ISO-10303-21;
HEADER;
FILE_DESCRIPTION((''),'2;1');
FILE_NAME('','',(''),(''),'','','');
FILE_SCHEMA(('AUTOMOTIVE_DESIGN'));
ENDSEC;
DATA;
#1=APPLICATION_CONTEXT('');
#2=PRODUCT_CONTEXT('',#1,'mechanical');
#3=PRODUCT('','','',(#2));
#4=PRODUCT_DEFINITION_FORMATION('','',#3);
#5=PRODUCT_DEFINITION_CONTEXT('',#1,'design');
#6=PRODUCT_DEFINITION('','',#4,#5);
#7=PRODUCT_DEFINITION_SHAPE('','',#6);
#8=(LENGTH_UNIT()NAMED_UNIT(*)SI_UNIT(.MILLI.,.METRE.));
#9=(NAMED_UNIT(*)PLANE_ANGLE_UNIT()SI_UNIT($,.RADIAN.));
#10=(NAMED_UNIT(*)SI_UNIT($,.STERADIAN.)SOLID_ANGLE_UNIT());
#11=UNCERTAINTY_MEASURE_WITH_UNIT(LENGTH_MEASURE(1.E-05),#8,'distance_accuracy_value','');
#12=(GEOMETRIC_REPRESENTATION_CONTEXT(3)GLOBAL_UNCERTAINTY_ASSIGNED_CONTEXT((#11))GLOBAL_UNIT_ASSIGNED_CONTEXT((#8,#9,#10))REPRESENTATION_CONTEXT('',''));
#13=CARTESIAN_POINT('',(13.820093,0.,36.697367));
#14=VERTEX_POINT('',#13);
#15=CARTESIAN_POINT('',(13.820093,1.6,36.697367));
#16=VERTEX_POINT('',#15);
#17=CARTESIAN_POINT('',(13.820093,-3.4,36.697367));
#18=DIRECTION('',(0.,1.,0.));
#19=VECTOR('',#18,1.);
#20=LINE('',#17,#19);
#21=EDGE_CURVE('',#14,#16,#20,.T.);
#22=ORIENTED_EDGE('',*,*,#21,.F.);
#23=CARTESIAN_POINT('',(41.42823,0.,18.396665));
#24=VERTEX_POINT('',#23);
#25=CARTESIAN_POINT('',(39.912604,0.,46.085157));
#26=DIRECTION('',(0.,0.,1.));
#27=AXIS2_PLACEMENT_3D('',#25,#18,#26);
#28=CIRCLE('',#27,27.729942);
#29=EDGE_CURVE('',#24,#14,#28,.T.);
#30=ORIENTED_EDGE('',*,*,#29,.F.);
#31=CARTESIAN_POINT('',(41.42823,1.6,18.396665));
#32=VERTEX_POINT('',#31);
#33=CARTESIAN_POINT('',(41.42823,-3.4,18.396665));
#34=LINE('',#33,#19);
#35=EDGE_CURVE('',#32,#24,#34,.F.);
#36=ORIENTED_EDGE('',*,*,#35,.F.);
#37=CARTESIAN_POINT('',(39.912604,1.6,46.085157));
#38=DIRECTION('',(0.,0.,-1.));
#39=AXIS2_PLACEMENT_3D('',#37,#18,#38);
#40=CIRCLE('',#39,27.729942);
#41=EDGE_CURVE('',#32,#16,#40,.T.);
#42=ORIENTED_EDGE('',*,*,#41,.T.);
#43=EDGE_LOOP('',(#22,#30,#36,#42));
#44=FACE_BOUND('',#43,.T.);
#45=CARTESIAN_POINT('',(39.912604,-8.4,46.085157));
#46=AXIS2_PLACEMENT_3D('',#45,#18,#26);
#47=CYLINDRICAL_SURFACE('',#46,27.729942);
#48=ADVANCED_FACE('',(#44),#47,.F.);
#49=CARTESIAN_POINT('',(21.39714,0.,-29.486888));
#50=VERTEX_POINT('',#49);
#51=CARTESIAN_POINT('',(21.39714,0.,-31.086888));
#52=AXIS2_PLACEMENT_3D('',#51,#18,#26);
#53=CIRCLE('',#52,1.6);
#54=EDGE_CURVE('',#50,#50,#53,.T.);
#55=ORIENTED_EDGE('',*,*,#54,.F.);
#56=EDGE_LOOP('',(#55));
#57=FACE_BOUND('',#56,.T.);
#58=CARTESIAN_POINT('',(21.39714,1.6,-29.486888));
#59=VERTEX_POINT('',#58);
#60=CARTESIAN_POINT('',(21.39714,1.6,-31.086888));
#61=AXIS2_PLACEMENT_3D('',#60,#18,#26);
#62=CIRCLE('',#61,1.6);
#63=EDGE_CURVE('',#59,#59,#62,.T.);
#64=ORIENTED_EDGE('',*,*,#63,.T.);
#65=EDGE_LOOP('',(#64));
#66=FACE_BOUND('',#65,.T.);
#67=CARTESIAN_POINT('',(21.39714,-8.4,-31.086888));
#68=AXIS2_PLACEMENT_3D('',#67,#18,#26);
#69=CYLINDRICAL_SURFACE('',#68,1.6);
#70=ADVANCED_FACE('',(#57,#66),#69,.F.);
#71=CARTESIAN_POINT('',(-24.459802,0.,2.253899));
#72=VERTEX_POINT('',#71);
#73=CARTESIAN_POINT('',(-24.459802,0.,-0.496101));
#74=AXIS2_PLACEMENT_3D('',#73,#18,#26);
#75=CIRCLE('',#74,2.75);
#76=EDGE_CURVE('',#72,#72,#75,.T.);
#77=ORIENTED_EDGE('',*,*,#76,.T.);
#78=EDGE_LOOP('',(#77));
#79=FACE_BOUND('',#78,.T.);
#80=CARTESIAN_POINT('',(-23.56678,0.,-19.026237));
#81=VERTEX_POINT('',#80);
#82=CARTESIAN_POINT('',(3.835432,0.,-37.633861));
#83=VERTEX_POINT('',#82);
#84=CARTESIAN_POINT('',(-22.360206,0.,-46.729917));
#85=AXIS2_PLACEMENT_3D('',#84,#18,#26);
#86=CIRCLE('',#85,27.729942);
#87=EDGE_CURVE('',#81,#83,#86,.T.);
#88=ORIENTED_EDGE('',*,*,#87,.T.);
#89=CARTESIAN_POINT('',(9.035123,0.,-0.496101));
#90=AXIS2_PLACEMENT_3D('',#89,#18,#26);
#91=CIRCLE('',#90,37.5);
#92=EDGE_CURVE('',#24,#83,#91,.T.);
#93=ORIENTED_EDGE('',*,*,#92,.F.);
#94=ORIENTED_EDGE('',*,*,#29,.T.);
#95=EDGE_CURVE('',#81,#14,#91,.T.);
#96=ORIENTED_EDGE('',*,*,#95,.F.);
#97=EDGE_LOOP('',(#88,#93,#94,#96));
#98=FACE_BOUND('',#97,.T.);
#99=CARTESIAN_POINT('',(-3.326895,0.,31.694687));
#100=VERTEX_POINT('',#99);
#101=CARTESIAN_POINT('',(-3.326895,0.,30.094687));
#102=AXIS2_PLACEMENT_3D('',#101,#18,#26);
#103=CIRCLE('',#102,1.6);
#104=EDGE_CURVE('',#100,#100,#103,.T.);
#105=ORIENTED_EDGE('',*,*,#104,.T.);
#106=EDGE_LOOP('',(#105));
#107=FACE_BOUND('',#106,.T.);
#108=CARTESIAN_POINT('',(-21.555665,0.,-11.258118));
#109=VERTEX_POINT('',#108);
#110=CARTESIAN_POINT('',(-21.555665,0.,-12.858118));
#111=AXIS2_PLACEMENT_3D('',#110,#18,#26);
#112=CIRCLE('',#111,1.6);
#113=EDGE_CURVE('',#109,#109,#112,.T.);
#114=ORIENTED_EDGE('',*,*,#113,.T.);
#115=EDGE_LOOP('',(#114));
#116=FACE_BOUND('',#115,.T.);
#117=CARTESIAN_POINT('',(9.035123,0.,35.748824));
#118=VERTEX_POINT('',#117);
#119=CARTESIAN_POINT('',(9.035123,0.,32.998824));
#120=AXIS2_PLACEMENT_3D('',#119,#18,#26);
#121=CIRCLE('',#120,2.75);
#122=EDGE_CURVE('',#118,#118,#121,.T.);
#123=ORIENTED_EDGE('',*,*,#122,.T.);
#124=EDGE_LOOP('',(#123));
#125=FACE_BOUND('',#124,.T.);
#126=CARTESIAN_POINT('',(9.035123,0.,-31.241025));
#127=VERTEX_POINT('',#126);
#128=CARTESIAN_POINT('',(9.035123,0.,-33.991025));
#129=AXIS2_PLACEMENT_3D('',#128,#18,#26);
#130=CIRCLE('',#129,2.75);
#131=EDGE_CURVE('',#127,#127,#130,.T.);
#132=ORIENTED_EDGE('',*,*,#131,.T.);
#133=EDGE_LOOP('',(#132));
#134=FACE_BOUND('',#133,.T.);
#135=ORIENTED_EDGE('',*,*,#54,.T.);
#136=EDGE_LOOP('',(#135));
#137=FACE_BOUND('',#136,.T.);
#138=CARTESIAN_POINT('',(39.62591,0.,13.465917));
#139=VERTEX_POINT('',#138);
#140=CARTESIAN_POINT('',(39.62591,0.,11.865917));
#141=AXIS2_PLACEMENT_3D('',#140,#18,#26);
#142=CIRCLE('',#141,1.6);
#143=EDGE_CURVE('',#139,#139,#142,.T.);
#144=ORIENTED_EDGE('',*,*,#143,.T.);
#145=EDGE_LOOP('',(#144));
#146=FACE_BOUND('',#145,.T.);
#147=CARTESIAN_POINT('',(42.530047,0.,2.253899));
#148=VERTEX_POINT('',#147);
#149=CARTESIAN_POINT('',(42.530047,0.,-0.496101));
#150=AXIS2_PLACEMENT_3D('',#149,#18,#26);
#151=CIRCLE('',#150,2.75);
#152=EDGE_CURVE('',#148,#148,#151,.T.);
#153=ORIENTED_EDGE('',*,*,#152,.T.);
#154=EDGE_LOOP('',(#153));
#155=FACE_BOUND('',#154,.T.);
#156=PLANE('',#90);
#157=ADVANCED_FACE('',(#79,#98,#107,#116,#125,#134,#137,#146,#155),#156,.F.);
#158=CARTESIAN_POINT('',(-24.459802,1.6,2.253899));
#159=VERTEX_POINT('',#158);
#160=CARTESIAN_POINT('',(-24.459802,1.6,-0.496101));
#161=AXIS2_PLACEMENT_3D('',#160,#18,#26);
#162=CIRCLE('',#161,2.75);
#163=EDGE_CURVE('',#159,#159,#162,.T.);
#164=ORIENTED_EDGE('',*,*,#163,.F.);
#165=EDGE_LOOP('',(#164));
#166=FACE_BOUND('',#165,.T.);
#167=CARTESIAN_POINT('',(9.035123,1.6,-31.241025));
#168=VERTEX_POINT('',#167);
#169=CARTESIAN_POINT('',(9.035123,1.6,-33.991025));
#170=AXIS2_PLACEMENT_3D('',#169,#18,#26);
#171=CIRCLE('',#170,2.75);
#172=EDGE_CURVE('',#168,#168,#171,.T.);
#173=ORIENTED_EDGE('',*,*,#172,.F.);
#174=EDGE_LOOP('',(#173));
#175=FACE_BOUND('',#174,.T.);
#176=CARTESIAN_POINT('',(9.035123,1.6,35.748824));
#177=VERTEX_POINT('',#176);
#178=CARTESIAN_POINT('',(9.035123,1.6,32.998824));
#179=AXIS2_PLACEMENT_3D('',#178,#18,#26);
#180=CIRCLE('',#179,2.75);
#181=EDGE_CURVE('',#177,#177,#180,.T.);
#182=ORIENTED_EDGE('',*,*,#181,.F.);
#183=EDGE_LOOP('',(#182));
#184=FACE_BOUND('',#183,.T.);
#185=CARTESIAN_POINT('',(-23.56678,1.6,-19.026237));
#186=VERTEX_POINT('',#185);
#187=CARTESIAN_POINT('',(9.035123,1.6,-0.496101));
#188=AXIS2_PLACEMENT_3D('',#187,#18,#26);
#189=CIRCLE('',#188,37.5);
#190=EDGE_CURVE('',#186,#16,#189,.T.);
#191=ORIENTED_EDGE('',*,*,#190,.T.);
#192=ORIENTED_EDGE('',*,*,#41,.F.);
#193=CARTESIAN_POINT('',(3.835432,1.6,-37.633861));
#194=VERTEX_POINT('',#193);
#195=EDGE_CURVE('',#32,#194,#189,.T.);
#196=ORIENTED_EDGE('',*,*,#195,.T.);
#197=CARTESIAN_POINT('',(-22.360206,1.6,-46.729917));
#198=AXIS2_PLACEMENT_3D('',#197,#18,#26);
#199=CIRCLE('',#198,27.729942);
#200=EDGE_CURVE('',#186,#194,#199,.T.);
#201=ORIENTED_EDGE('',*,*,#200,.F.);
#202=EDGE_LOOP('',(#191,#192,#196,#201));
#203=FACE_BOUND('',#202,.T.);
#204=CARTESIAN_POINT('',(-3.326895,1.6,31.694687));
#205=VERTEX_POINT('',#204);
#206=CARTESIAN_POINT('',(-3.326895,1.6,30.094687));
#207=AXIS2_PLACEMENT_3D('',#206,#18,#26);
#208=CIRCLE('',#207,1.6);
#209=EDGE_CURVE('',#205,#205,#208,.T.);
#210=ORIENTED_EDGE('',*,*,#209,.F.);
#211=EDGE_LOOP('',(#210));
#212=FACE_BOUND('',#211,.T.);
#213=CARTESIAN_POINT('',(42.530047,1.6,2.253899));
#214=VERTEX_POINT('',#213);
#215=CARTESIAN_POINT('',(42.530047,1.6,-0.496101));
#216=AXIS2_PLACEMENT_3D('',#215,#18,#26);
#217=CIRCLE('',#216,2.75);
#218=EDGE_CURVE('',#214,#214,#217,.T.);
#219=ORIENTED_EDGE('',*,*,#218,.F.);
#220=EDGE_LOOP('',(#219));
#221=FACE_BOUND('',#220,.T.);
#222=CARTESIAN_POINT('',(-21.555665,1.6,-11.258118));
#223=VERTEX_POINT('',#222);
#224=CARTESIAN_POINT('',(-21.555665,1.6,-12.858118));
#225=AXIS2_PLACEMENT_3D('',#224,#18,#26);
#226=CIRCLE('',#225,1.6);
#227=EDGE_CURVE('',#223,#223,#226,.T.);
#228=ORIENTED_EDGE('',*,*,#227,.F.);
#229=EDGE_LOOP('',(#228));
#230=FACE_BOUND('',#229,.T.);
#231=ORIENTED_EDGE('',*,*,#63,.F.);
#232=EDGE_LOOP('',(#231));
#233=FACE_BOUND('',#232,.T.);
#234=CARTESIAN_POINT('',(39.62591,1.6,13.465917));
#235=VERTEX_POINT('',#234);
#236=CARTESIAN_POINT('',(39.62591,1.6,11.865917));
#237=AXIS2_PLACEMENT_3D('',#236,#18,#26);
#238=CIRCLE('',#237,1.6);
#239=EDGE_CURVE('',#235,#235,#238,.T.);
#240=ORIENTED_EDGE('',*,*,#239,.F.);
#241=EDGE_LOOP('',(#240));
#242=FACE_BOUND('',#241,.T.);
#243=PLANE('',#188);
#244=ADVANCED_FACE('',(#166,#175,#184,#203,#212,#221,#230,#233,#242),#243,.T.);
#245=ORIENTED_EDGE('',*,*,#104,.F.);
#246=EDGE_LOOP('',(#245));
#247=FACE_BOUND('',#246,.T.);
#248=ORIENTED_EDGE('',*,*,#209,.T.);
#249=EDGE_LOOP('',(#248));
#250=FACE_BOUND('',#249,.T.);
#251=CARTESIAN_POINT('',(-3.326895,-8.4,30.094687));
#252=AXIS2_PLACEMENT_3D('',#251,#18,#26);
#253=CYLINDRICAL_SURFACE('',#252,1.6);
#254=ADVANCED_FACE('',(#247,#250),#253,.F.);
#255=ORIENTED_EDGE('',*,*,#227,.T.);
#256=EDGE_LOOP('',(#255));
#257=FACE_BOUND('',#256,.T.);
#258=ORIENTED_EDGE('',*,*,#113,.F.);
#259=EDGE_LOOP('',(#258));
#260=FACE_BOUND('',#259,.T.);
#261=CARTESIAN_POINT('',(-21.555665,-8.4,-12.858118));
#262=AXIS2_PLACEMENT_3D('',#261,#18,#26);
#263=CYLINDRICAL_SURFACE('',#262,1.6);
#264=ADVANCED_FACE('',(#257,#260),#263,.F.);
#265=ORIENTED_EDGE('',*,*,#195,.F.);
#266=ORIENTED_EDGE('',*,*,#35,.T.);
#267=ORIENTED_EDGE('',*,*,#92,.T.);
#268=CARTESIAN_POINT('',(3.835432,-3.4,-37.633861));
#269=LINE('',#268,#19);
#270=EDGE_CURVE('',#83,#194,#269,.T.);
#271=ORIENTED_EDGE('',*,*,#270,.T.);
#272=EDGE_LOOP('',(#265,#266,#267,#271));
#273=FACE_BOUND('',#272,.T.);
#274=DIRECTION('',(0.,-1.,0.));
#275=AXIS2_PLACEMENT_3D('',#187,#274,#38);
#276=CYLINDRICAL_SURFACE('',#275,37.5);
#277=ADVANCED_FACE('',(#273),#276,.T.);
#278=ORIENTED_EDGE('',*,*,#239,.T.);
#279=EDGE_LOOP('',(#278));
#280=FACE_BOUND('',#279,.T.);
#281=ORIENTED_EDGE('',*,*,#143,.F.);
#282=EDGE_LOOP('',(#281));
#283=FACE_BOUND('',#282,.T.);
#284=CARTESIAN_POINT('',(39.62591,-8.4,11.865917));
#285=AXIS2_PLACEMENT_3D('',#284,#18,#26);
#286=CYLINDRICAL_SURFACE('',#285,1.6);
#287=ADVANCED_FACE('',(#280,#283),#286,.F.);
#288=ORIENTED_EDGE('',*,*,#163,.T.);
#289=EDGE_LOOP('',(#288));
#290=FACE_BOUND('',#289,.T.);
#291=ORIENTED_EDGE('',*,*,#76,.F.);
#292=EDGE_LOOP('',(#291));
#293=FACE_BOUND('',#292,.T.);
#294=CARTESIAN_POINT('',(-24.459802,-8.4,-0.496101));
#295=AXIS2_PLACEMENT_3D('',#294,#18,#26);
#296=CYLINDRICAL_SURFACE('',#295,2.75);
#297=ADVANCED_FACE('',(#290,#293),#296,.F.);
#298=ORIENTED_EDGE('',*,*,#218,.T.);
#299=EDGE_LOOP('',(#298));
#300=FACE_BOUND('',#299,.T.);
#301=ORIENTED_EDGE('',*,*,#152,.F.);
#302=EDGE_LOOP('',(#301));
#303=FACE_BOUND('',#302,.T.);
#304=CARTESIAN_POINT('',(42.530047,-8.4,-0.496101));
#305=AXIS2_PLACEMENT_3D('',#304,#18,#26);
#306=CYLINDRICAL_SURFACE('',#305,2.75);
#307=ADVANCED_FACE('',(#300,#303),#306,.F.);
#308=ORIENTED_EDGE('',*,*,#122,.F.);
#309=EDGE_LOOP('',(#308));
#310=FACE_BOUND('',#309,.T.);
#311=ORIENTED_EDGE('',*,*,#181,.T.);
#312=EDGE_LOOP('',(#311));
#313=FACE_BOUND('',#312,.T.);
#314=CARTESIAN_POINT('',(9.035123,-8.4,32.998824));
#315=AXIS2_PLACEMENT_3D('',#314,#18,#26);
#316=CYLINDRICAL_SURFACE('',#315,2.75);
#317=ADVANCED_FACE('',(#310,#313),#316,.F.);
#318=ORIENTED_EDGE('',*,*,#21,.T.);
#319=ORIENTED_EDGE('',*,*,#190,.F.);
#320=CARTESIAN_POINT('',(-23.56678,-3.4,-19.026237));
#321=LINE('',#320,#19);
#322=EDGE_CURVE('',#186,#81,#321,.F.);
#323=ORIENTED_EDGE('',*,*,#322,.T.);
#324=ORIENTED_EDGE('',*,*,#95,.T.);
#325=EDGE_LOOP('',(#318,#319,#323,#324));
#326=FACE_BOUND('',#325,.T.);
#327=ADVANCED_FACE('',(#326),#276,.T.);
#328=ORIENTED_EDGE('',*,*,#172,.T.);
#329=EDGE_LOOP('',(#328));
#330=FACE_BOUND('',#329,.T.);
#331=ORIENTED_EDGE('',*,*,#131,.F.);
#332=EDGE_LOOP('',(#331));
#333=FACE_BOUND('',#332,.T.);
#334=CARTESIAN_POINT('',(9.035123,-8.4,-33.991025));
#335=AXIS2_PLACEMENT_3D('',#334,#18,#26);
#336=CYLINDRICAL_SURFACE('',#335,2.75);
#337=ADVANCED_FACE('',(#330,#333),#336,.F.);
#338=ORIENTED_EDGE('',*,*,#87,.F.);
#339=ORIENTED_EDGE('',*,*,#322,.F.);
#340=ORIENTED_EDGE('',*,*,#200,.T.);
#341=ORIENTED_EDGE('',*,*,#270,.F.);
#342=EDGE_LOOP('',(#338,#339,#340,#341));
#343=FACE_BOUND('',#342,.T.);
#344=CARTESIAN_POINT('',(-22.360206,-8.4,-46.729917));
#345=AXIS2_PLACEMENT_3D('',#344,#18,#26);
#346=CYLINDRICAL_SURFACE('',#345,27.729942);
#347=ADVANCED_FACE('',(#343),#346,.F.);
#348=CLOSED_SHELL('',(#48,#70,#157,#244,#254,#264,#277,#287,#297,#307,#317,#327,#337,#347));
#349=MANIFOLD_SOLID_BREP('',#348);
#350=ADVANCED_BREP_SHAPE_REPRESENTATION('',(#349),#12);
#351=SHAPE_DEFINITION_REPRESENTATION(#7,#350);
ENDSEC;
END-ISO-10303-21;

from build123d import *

# Parameters (mm, degrees)
SKETCH1_R           = 37.5
BOSS_EXTRUDE1_DEPTH = 1.6
SKETCH3_R           = 1.6
SKETCH3_R_2         = 2.75
CUT_EXTRUDE1_DEPTH  = 10
SKETCH6_R           = 27.729942467
CUT_EXTRUDE2_DEPTH  = 10


with BuildPart() as part:
    # Sketch1 → Boss-Extrude1 (new body)
    with BuildSketch(Plane(origin=(0, 0, 0), x_dir=(1, 0, 0), z_dir=(0, 1, 0))):
        with Locations(Location((9.035122573, 0.49610085, 0), (0, 0, 270))):
            Circle(SKETCH1_R)
    extrude(amount=BOSS_EXTRUDE1_DEPTH)

    # Sketch3 → Cut-Extrude1 (cut)
    with BuildSketch(Plane(origin=(0, 1.6, 0), x_dir=(1, 0, 0), z_dir=(0, 1, 0))):
        with Locations(Location((-3.32689501, -30.094686593, 0), (0, 0, 270))):
            Circle(SKETCH3_R)
        with Locations(Location((-24.459801803, 0.49610085, 0), (0, 0, 270))):
            Circle(SKETCH3_R_2)
        with Locations(Location((9.035122573, 33.991025226, 0), (0, 0, 270))):
            Circle(SKETCH3_R_2)
        with Locations(Location((42.530046949, 0.49610085, 0), (0, 0, 270))):
            Circle(SKETCH3_R_2)
        with Locations(Location((9.035122573, -32.998823526, 0), (0, 0, 270))):
            Circle(SKETCH3_R_2)
        with Locations(Location((-21.55566487, 12.858118433, 0), (0, 0, 270))):
            Circle(SKETCH3_R)
        with Locations(Location((21.397140156, 31.086888293, 0), (0, 0, 270))):
            Circle(SKETCH3_R)
        with Locations(Location((39.625910016, -11.865916733, 0), (0, 0, 270))):
            Circle(SKETCH3_R)
    extrude(amount=-CUT_EXTRUDE1_DEPTH, mode=Mode.SUBTRACT)

    # Sketch6 → Cut-Extrude2 (cut)
    with BuildSketch(Plane(origin=(0, 1.6, 0), x_dir=(1, 0, 0), z_dir=(0, 1, 0))):
        with Locations((39.912604148, -46.085156826)):
            Circle(SKETCH6_R)
        with Locations((-22.36020617, 46.729917134)):
            Circle(SKETCH6_R)
    extrude(amount=-CUT_EXTRUDE2_DEPTH, mode=Mode.SUBTRACT)


solid = part.part
